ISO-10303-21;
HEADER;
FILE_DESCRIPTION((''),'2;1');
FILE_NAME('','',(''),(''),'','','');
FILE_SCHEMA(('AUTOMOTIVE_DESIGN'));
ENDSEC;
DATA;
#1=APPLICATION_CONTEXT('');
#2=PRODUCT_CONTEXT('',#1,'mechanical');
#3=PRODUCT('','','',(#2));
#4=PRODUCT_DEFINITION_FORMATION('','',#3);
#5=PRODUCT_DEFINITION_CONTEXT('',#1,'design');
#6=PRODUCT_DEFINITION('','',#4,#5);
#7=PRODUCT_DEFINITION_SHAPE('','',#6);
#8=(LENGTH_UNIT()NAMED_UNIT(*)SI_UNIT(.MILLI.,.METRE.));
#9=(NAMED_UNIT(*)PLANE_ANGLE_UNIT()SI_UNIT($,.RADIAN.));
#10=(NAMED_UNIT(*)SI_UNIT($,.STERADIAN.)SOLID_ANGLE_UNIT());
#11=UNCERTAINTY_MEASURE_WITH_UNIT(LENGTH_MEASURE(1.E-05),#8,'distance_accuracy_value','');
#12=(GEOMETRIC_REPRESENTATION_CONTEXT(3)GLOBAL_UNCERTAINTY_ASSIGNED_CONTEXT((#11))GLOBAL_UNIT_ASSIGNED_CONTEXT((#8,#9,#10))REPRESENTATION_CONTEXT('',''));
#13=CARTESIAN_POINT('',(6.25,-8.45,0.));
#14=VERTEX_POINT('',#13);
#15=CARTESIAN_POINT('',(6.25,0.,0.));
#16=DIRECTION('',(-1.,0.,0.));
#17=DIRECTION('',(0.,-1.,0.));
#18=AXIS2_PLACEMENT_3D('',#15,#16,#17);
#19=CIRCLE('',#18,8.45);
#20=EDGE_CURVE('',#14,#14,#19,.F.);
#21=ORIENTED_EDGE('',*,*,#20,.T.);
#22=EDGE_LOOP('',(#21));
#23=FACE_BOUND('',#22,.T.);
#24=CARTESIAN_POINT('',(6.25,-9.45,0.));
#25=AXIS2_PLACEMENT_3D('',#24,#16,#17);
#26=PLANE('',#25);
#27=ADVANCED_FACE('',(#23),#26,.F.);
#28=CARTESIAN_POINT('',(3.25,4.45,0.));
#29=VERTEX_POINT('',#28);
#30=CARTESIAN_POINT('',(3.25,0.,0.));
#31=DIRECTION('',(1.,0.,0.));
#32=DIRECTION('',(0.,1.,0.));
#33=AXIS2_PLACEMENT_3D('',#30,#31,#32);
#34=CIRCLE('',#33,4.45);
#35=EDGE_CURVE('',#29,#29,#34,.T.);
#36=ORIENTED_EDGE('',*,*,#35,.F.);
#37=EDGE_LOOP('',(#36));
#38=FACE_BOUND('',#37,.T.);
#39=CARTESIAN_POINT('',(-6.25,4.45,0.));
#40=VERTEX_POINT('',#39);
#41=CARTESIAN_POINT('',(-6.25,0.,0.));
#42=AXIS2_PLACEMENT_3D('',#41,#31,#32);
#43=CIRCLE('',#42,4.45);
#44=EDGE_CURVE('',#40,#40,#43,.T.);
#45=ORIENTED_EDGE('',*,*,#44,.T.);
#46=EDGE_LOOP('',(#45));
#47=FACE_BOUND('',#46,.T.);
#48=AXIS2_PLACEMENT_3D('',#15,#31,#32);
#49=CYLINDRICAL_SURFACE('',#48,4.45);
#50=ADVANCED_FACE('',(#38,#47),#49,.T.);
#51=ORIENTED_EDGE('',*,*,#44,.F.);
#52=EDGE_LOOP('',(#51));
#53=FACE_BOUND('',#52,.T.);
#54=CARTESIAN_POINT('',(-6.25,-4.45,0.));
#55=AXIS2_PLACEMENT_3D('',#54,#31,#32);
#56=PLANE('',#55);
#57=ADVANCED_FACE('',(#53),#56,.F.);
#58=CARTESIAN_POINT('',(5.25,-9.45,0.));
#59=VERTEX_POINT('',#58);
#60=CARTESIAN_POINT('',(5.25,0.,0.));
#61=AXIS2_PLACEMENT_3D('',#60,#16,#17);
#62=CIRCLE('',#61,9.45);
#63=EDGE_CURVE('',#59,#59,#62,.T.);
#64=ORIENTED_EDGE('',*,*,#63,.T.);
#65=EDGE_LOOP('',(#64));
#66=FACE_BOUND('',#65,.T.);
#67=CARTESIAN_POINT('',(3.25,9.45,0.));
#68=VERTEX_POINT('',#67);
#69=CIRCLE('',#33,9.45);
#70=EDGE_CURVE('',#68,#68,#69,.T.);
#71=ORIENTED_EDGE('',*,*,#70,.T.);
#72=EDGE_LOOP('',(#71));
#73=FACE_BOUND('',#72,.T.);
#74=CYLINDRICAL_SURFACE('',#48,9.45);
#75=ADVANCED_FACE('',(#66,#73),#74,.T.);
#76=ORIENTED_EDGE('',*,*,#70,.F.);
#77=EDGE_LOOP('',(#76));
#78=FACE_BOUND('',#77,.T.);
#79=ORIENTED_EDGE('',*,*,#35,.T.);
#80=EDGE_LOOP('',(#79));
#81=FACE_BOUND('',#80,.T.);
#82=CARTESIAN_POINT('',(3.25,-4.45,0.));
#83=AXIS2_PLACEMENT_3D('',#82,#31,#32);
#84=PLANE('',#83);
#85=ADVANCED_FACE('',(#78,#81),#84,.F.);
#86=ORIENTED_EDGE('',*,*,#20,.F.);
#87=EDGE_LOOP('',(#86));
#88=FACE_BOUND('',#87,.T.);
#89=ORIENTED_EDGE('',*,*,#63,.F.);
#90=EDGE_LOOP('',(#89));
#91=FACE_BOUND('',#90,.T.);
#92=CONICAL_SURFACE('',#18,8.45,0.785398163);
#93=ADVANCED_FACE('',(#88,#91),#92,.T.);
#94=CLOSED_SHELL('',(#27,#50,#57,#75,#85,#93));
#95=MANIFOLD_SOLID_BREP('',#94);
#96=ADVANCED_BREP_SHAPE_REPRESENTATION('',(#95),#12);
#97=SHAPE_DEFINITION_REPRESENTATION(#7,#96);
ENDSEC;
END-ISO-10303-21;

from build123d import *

# Parameters (mm, degrees)
CHAMFER1_SIZE = 1


with BuildPart() as part:
    # Sketch1 → Revolve1 (revolve)
    with BuildSketch(Plane.XY, mode=Mode.PRIVATE) as revolve1_sk:
        Polygon((-6.25, -4.45), (3.25, -4.45), (3.25, -9.45), (6.25, -9.45), (6.25, 0), (-6.25, 0), align=None)
    revolve(revolve1_sk.sketch.rotate(Axis((6.25, 0, 0), (-1, 0, 0)), 180), axis=Axis((6.25, 0, 0), (-1, 0, 0)))

    # Chamfer1
    chamfer1_edges = [part.edges().sort_by_distance(p)[0] for p in [
        (6.25, -9.45, 0),
    ]]
    chamfer(chamfer1_edges, length=CHAMFER1_SIZE)


solid = part.part
